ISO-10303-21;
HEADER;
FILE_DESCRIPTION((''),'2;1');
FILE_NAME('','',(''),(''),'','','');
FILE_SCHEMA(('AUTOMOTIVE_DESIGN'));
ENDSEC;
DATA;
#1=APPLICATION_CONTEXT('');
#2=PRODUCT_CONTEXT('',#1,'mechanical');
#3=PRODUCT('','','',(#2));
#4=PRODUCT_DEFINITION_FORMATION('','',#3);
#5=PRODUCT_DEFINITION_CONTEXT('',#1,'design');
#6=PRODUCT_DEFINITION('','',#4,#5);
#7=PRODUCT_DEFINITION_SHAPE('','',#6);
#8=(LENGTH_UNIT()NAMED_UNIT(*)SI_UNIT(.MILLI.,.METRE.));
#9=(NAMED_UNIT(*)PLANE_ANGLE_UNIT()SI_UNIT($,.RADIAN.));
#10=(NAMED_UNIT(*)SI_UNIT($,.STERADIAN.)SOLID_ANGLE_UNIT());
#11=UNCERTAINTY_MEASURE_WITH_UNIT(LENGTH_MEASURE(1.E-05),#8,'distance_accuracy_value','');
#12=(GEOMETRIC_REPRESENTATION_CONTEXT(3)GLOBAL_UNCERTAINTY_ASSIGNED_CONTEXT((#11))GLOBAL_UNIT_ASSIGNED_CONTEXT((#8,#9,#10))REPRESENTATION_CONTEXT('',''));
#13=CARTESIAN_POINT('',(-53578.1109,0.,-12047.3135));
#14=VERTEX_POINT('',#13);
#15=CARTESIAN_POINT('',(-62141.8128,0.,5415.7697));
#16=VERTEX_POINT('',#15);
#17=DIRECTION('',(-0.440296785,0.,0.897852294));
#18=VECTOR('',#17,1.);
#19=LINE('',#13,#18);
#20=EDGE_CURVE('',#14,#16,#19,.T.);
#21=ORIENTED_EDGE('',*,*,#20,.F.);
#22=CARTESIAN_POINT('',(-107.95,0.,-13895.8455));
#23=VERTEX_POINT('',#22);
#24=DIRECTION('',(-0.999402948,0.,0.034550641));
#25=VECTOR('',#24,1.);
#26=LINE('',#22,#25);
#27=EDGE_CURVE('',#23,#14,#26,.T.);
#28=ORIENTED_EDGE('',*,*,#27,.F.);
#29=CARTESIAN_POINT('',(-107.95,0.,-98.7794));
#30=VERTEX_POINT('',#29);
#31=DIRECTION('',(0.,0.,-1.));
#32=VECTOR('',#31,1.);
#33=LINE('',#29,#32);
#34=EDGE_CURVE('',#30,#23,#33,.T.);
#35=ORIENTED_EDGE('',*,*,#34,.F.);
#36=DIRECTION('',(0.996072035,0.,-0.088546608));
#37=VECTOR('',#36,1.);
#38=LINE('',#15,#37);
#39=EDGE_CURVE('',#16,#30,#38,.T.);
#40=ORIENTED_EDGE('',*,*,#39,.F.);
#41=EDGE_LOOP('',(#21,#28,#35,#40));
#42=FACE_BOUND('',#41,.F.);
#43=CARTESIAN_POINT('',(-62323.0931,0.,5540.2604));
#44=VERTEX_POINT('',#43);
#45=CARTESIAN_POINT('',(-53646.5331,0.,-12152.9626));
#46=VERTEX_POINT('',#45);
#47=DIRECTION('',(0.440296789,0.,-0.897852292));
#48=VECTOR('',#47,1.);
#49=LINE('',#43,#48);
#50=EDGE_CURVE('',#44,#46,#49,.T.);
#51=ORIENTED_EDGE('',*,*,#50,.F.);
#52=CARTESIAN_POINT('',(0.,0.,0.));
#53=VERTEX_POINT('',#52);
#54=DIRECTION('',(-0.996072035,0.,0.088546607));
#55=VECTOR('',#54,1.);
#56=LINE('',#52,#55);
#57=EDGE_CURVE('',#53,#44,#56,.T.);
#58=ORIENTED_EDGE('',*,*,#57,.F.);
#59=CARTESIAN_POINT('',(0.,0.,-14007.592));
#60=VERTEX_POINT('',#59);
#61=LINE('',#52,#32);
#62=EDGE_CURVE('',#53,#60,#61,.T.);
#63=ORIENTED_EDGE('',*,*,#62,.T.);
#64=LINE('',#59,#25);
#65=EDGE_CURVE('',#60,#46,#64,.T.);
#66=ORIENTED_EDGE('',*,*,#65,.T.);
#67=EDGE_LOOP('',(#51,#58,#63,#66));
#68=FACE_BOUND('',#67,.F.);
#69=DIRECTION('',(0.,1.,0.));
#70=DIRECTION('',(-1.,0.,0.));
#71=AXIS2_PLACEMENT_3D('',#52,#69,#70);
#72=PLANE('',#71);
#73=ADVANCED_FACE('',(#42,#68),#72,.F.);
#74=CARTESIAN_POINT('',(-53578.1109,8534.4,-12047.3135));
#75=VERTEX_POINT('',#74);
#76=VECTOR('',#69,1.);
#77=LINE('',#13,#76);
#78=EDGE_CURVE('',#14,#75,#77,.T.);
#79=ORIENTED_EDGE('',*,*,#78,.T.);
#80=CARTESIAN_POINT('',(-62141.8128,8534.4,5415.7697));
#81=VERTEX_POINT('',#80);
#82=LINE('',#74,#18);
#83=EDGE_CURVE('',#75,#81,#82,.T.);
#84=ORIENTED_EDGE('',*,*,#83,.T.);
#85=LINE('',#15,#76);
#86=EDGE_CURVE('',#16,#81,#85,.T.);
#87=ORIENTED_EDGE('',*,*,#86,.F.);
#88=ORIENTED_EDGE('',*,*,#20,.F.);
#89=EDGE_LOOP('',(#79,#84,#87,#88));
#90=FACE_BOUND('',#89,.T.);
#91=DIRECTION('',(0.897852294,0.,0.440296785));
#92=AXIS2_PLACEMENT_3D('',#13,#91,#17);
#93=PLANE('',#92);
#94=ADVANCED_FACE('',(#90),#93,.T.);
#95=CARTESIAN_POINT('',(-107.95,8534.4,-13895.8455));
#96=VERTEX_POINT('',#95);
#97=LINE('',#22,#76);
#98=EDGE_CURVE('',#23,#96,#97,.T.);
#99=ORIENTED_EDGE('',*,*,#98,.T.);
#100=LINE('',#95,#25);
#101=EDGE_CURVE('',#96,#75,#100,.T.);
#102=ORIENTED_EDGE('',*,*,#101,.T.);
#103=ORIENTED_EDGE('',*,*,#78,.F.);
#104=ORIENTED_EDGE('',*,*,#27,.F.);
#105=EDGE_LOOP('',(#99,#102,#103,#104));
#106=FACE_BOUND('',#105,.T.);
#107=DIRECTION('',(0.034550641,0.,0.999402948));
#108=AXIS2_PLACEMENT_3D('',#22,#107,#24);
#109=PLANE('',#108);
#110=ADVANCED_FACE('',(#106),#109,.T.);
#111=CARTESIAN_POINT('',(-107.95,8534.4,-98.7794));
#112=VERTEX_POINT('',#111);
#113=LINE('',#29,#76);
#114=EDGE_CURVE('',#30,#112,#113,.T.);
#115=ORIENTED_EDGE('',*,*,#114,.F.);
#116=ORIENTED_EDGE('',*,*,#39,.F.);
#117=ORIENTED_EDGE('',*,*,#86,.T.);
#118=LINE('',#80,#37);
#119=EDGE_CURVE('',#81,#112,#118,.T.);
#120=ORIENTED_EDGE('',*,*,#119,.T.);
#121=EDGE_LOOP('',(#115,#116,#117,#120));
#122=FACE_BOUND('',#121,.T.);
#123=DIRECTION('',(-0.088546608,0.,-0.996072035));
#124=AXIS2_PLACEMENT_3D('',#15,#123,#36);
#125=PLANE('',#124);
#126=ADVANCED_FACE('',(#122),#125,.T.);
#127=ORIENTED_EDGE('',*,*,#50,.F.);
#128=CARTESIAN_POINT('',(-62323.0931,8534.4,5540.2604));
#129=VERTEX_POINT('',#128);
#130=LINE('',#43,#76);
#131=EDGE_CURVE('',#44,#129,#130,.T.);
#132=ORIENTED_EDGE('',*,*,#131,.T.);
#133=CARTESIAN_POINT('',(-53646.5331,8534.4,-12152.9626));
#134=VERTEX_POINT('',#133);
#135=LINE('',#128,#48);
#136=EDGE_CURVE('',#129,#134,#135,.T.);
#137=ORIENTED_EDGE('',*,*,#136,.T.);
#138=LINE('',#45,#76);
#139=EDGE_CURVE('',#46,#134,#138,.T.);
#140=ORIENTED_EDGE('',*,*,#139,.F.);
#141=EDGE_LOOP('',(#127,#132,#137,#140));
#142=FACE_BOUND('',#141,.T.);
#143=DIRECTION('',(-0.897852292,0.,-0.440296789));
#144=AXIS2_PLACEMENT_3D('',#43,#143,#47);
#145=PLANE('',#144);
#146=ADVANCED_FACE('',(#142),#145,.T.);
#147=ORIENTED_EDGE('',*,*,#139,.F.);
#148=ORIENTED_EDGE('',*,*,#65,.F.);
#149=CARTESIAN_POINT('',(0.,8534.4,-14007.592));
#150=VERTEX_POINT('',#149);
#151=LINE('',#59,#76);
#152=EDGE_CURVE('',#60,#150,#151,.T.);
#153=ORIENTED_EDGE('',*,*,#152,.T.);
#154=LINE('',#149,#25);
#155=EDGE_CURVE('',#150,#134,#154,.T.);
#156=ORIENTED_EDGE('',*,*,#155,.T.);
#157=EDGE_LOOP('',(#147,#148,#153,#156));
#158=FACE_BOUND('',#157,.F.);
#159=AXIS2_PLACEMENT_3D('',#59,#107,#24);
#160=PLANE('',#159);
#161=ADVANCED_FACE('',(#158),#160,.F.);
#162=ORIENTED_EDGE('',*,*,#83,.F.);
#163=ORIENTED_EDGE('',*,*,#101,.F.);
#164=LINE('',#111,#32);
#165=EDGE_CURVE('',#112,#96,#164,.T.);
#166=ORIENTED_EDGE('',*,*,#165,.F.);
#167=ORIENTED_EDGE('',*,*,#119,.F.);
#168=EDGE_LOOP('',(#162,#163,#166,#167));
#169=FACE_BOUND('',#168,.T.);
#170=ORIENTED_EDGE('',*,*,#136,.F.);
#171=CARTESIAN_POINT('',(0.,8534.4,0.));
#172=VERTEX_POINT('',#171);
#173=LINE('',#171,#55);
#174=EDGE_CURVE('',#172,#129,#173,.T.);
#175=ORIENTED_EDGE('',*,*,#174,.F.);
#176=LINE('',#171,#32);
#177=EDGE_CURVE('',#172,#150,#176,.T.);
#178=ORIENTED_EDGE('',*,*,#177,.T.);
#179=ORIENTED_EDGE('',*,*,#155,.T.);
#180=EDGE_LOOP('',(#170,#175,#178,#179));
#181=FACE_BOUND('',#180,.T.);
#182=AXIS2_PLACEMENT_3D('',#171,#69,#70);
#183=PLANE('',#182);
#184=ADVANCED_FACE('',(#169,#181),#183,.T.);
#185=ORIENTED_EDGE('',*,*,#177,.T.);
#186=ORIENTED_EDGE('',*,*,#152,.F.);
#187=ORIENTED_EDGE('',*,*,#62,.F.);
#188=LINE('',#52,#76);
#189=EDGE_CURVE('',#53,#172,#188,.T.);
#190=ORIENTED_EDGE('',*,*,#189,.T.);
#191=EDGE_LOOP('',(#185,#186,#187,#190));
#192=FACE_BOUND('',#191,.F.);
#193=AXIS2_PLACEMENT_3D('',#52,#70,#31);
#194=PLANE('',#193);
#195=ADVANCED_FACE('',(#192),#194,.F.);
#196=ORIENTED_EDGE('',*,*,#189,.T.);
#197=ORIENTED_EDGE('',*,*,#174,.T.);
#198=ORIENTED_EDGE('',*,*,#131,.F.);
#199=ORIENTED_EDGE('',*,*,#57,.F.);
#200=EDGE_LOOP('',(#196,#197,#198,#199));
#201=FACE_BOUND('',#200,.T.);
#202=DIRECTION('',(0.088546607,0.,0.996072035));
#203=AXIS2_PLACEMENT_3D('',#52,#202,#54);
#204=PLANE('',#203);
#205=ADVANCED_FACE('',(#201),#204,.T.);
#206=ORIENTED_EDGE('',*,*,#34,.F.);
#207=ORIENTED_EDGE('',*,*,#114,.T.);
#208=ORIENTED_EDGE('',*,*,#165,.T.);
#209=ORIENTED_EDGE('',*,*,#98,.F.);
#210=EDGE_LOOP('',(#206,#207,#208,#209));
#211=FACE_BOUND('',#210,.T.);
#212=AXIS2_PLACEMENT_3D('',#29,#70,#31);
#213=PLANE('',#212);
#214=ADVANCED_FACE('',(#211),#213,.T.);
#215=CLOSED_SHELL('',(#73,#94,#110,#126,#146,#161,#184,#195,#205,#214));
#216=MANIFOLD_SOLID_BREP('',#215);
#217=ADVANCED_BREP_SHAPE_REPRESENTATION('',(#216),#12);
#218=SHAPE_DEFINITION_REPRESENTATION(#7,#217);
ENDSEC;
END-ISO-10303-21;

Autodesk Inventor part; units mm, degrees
ref_plane "YZ Plane" through (0, 0, 0) normal (1, 0, 0) x (0, 1, 0)
ref_plane "XZ Plane" through (0, 0, 0) normal (0, 1, 0) x (-1, 0, 0)
ref_plane "XY Plane" through (0, 0, 0) normal (0, 0, 1) x (1, 0, 0)
sketch "Sketch1" plane through (0, 0, 0) normal (0, 1, 0) x (-1, 0, 0)
  line L0 (0, 0) -> (62323.0931, 5540.2604)
  line L1 (62323.0931, 5540.2604) -> (53646.5331, -12152.9626)
  line L2 (0, 0) -> (0, -14007.592)
  line L3 (0, -14007.592) -> (53646.5331, -12152.9626)
  line L4 (53578.1109, -12047.3135) -> (62141.8128, 5415.7697)
  line L5 (62141.8128, 5415.7697) -> (107.95, -98.7794)
  line L6 (107.95, -98.7794) -> (107.95, -13895.8455)
  line L7 (107.95, -13895.8455) -> (53578.1109, -12047.3135)
  dimension "d0" = 62568.8614
  dimension "d3" = 53678.582
  dimension "d5" = 95.08
  dimension "d6" = 88.02
  dimension "d7" = 14007.592
  dimension "d8" = 107.95
extrude "Extrusion1" add sketch "Sketch1" along normal blind 8534.4
properties part number "Fence" material "Wood (Southern Pine)"
